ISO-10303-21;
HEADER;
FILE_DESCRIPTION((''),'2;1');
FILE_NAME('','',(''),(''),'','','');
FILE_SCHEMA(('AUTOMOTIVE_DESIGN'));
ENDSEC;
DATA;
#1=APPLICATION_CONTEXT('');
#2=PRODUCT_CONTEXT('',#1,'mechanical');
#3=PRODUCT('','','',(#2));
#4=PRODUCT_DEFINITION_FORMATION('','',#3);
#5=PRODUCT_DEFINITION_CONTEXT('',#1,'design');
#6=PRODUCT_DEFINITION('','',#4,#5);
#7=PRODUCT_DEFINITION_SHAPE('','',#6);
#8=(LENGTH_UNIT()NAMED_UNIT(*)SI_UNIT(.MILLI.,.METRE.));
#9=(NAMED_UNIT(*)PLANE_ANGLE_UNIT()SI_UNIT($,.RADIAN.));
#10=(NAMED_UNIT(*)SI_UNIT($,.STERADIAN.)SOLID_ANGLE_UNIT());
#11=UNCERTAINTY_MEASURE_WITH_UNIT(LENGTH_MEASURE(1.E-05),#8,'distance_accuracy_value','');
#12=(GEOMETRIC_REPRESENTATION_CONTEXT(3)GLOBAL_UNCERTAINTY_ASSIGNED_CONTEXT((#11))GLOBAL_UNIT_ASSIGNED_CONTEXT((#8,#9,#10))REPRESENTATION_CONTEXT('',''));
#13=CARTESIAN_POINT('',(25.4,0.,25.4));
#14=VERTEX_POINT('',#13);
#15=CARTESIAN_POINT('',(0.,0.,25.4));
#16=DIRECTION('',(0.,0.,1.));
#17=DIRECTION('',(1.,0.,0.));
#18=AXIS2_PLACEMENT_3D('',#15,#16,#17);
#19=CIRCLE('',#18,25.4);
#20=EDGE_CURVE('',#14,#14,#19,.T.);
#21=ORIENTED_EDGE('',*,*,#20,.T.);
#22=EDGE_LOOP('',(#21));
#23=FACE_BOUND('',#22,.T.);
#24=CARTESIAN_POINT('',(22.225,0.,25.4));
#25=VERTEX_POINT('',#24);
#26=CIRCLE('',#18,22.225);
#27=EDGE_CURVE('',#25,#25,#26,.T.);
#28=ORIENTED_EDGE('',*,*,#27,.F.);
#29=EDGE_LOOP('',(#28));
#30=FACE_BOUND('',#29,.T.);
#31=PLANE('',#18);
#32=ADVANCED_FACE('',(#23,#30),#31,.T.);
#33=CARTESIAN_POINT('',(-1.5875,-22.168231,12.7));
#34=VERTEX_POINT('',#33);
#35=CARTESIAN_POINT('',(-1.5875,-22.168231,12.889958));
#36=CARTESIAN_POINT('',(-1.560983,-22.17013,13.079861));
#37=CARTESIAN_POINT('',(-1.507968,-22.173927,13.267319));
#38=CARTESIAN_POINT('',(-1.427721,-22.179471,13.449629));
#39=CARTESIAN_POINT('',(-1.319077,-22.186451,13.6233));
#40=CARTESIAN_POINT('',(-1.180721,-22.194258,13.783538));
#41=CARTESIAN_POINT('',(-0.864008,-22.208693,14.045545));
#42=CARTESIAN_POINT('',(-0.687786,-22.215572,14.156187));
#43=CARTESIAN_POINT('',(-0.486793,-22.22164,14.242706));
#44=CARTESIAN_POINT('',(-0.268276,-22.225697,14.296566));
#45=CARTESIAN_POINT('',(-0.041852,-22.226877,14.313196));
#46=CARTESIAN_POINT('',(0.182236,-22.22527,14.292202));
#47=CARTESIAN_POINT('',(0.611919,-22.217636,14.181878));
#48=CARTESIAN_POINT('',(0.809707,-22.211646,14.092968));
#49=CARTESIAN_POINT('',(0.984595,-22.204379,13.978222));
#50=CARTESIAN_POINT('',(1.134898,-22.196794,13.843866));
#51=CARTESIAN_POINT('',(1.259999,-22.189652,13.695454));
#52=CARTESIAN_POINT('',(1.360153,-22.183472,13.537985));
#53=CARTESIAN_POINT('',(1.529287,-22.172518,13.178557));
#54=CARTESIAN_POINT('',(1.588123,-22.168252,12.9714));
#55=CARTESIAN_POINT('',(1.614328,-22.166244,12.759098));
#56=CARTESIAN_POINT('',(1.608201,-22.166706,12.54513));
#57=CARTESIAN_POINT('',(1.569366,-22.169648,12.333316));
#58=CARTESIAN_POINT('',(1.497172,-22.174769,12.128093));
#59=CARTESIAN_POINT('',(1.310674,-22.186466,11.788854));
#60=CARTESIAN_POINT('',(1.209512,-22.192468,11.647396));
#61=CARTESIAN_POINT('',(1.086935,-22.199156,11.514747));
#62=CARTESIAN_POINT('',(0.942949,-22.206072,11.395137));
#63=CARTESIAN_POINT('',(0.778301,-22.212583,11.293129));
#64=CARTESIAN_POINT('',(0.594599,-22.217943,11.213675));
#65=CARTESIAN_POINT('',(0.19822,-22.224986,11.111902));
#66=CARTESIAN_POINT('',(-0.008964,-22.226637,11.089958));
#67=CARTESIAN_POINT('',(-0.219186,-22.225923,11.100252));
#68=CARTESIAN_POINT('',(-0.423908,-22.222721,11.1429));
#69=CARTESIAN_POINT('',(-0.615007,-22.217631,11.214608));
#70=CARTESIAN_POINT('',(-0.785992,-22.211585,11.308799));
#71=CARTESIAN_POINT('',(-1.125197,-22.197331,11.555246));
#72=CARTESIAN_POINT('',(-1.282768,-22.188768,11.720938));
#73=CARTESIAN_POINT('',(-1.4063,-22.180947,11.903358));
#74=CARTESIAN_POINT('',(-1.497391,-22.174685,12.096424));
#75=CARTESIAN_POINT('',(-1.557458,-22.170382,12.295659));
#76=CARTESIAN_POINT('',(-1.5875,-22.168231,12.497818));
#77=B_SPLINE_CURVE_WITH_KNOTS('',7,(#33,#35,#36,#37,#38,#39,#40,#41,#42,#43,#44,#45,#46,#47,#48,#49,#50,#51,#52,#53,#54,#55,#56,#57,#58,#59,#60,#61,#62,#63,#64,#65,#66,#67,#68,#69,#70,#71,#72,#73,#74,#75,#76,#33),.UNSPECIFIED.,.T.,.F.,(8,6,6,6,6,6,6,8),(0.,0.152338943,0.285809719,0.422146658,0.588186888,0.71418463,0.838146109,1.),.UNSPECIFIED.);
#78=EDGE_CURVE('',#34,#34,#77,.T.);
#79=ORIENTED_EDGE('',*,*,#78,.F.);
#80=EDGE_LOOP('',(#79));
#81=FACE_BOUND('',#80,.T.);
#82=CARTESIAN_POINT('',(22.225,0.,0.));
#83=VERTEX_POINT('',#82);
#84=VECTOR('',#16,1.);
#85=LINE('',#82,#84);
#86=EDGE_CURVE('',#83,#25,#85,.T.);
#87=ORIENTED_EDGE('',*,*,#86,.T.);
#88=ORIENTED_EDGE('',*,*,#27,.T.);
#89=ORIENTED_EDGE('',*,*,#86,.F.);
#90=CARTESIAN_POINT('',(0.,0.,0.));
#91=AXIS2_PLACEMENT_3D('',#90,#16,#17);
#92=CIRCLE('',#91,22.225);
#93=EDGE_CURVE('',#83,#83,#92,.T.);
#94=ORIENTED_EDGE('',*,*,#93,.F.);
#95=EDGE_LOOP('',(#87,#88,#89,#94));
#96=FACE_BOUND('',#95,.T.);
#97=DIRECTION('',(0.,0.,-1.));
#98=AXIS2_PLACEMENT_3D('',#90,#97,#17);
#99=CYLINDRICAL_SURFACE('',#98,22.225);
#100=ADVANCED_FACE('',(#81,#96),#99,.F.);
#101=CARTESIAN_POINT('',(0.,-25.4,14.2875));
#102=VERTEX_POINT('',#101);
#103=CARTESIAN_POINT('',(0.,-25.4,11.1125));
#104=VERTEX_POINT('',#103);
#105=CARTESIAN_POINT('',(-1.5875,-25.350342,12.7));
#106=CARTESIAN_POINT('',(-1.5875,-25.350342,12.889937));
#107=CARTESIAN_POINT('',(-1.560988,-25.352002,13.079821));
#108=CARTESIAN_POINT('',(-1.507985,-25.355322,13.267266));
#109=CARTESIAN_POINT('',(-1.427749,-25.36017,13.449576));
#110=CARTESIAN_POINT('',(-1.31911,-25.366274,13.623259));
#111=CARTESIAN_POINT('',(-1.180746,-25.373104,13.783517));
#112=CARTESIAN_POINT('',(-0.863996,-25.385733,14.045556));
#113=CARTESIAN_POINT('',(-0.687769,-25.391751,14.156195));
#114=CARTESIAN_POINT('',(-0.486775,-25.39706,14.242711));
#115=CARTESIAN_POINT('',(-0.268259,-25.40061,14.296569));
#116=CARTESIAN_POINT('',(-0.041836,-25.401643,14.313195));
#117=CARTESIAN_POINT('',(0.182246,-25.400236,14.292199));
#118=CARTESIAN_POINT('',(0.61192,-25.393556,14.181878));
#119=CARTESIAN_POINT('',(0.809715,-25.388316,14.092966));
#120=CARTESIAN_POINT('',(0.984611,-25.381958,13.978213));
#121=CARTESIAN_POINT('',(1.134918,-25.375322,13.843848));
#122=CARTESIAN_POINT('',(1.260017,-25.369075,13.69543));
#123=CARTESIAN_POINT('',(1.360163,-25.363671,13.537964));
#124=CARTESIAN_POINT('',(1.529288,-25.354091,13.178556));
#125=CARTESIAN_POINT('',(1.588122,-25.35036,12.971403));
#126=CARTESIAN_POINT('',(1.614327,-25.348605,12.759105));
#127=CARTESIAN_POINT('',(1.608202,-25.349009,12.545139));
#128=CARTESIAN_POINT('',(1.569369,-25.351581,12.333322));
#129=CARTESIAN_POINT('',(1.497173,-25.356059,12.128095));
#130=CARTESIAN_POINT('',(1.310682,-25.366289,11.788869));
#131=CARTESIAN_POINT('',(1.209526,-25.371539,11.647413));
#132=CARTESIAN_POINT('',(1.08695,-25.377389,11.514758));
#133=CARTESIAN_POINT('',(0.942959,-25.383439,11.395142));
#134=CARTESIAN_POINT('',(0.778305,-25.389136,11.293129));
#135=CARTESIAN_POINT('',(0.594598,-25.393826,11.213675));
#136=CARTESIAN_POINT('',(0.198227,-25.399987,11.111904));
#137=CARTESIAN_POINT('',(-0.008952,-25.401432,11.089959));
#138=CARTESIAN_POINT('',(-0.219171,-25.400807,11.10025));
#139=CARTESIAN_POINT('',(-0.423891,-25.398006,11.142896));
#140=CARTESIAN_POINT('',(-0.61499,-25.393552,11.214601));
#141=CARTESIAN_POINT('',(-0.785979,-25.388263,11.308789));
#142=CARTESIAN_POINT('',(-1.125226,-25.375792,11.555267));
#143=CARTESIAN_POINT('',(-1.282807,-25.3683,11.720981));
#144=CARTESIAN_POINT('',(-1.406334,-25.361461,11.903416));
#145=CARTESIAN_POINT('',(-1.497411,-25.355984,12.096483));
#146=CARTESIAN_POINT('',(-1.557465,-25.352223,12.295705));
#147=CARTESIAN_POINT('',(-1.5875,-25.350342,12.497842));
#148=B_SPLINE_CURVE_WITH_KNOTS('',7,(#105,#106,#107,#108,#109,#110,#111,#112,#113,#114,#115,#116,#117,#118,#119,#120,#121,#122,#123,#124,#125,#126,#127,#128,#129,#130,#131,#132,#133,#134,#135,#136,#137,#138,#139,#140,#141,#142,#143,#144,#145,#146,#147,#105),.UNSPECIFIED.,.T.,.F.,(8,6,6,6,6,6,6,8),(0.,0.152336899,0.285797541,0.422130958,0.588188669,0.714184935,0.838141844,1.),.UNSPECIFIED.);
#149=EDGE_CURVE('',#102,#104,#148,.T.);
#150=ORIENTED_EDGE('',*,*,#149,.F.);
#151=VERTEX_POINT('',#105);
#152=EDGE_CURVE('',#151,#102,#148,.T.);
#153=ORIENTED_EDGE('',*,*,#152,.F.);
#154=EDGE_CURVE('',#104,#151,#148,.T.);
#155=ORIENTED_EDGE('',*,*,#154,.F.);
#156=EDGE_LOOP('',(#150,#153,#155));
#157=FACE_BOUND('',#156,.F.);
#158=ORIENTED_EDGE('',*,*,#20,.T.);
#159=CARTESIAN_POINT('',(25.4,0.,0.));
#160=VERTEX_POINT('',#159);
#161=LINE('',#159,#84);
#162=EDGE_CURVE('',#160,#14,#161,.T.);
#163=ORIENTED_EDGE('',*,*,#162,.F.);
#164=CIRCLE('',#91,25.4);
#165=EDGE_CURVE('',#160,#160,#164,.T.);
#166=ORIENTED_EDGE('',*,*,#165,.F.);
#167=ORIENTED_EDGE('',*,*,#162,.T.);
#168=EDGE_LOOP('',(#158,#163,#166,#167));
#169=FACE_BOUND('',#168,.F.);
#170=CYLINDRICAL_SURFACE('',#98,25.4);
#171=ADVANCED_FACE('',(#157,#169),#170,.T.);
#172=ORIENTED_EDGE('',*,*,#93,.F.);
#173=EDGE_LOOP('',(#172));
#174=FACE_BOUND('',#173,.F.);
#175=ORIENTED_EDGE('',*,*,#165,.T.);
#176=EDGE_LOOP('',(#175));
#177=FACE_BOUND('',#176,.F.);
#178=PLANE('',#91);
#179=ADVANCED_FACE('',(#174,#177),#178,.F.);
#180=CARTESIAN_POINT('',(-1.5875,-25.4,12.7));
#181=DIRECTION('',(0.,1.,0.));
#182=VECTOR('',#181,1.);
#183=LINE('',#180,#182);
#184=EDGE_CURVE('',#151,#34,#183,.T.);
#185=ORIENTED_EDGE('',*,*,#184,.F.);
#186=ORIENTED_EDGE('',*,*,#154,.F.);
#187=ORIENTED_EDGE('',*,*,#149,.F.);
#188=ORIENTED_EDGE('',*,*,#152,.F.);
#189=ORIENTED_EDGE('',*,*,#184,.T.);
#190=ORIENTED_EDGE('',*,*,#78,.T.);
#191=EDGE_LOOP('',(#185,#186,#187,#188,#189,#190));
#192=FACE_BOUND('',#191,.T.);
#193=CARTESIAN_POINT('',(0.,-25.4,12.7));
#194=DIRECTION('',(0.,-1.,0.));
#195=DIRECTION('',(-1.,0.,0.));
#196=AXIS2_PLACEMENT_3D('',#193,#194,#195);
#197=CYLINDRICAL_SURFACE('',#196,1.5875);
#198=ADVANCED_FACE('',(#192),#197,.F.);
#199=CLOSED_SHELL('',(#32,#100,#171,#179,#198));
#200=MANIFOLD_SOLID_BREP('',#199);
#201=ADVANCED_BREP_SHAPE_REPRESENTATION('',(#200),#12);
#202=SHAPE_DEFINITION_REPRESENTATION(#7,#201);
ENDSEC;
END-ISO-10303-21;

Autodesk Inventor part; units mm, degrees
ref_plane "YZ Plane" through (0, 0, 0) normal (1, 0, 0) x (0, 1, 0)
ref_plane "XY Plane" through (0, 0, 0) normal (0, 0, 1) x (1, 0, 0)
sketch "Sketch1" plane through (0, 0, 0) normal (0, 0, 1) x (1, 0, 0)
  circle A0 centre (0, 0) radius 25.4
  circle A1 centre (0, 0) radius 22.225
  dimension "d2" = 50.8
  dimension "d3" = 3.175
extrude "Extrusion1" add sketch "Sketch1" along normal blind 25.4
ref_plane "Work Plane1" through (0, -25.4, 0) normal (0, 1, 0) x (-1, 0, 0)
sketch "Sketch2" plane through (0, -25.4, 0) normal (0, 1, 0) x (-1, 0, 0)
  circle A0 centre (0, 12.7) radius 1.5875
  point P0 (0, 0)
  dimension "d6" = 3.175
  dimension "d7" = 12.7
extrude "Extrusion2" cut sketch "Sketch2" along normal blind 25.4
properties part number "Tube"
